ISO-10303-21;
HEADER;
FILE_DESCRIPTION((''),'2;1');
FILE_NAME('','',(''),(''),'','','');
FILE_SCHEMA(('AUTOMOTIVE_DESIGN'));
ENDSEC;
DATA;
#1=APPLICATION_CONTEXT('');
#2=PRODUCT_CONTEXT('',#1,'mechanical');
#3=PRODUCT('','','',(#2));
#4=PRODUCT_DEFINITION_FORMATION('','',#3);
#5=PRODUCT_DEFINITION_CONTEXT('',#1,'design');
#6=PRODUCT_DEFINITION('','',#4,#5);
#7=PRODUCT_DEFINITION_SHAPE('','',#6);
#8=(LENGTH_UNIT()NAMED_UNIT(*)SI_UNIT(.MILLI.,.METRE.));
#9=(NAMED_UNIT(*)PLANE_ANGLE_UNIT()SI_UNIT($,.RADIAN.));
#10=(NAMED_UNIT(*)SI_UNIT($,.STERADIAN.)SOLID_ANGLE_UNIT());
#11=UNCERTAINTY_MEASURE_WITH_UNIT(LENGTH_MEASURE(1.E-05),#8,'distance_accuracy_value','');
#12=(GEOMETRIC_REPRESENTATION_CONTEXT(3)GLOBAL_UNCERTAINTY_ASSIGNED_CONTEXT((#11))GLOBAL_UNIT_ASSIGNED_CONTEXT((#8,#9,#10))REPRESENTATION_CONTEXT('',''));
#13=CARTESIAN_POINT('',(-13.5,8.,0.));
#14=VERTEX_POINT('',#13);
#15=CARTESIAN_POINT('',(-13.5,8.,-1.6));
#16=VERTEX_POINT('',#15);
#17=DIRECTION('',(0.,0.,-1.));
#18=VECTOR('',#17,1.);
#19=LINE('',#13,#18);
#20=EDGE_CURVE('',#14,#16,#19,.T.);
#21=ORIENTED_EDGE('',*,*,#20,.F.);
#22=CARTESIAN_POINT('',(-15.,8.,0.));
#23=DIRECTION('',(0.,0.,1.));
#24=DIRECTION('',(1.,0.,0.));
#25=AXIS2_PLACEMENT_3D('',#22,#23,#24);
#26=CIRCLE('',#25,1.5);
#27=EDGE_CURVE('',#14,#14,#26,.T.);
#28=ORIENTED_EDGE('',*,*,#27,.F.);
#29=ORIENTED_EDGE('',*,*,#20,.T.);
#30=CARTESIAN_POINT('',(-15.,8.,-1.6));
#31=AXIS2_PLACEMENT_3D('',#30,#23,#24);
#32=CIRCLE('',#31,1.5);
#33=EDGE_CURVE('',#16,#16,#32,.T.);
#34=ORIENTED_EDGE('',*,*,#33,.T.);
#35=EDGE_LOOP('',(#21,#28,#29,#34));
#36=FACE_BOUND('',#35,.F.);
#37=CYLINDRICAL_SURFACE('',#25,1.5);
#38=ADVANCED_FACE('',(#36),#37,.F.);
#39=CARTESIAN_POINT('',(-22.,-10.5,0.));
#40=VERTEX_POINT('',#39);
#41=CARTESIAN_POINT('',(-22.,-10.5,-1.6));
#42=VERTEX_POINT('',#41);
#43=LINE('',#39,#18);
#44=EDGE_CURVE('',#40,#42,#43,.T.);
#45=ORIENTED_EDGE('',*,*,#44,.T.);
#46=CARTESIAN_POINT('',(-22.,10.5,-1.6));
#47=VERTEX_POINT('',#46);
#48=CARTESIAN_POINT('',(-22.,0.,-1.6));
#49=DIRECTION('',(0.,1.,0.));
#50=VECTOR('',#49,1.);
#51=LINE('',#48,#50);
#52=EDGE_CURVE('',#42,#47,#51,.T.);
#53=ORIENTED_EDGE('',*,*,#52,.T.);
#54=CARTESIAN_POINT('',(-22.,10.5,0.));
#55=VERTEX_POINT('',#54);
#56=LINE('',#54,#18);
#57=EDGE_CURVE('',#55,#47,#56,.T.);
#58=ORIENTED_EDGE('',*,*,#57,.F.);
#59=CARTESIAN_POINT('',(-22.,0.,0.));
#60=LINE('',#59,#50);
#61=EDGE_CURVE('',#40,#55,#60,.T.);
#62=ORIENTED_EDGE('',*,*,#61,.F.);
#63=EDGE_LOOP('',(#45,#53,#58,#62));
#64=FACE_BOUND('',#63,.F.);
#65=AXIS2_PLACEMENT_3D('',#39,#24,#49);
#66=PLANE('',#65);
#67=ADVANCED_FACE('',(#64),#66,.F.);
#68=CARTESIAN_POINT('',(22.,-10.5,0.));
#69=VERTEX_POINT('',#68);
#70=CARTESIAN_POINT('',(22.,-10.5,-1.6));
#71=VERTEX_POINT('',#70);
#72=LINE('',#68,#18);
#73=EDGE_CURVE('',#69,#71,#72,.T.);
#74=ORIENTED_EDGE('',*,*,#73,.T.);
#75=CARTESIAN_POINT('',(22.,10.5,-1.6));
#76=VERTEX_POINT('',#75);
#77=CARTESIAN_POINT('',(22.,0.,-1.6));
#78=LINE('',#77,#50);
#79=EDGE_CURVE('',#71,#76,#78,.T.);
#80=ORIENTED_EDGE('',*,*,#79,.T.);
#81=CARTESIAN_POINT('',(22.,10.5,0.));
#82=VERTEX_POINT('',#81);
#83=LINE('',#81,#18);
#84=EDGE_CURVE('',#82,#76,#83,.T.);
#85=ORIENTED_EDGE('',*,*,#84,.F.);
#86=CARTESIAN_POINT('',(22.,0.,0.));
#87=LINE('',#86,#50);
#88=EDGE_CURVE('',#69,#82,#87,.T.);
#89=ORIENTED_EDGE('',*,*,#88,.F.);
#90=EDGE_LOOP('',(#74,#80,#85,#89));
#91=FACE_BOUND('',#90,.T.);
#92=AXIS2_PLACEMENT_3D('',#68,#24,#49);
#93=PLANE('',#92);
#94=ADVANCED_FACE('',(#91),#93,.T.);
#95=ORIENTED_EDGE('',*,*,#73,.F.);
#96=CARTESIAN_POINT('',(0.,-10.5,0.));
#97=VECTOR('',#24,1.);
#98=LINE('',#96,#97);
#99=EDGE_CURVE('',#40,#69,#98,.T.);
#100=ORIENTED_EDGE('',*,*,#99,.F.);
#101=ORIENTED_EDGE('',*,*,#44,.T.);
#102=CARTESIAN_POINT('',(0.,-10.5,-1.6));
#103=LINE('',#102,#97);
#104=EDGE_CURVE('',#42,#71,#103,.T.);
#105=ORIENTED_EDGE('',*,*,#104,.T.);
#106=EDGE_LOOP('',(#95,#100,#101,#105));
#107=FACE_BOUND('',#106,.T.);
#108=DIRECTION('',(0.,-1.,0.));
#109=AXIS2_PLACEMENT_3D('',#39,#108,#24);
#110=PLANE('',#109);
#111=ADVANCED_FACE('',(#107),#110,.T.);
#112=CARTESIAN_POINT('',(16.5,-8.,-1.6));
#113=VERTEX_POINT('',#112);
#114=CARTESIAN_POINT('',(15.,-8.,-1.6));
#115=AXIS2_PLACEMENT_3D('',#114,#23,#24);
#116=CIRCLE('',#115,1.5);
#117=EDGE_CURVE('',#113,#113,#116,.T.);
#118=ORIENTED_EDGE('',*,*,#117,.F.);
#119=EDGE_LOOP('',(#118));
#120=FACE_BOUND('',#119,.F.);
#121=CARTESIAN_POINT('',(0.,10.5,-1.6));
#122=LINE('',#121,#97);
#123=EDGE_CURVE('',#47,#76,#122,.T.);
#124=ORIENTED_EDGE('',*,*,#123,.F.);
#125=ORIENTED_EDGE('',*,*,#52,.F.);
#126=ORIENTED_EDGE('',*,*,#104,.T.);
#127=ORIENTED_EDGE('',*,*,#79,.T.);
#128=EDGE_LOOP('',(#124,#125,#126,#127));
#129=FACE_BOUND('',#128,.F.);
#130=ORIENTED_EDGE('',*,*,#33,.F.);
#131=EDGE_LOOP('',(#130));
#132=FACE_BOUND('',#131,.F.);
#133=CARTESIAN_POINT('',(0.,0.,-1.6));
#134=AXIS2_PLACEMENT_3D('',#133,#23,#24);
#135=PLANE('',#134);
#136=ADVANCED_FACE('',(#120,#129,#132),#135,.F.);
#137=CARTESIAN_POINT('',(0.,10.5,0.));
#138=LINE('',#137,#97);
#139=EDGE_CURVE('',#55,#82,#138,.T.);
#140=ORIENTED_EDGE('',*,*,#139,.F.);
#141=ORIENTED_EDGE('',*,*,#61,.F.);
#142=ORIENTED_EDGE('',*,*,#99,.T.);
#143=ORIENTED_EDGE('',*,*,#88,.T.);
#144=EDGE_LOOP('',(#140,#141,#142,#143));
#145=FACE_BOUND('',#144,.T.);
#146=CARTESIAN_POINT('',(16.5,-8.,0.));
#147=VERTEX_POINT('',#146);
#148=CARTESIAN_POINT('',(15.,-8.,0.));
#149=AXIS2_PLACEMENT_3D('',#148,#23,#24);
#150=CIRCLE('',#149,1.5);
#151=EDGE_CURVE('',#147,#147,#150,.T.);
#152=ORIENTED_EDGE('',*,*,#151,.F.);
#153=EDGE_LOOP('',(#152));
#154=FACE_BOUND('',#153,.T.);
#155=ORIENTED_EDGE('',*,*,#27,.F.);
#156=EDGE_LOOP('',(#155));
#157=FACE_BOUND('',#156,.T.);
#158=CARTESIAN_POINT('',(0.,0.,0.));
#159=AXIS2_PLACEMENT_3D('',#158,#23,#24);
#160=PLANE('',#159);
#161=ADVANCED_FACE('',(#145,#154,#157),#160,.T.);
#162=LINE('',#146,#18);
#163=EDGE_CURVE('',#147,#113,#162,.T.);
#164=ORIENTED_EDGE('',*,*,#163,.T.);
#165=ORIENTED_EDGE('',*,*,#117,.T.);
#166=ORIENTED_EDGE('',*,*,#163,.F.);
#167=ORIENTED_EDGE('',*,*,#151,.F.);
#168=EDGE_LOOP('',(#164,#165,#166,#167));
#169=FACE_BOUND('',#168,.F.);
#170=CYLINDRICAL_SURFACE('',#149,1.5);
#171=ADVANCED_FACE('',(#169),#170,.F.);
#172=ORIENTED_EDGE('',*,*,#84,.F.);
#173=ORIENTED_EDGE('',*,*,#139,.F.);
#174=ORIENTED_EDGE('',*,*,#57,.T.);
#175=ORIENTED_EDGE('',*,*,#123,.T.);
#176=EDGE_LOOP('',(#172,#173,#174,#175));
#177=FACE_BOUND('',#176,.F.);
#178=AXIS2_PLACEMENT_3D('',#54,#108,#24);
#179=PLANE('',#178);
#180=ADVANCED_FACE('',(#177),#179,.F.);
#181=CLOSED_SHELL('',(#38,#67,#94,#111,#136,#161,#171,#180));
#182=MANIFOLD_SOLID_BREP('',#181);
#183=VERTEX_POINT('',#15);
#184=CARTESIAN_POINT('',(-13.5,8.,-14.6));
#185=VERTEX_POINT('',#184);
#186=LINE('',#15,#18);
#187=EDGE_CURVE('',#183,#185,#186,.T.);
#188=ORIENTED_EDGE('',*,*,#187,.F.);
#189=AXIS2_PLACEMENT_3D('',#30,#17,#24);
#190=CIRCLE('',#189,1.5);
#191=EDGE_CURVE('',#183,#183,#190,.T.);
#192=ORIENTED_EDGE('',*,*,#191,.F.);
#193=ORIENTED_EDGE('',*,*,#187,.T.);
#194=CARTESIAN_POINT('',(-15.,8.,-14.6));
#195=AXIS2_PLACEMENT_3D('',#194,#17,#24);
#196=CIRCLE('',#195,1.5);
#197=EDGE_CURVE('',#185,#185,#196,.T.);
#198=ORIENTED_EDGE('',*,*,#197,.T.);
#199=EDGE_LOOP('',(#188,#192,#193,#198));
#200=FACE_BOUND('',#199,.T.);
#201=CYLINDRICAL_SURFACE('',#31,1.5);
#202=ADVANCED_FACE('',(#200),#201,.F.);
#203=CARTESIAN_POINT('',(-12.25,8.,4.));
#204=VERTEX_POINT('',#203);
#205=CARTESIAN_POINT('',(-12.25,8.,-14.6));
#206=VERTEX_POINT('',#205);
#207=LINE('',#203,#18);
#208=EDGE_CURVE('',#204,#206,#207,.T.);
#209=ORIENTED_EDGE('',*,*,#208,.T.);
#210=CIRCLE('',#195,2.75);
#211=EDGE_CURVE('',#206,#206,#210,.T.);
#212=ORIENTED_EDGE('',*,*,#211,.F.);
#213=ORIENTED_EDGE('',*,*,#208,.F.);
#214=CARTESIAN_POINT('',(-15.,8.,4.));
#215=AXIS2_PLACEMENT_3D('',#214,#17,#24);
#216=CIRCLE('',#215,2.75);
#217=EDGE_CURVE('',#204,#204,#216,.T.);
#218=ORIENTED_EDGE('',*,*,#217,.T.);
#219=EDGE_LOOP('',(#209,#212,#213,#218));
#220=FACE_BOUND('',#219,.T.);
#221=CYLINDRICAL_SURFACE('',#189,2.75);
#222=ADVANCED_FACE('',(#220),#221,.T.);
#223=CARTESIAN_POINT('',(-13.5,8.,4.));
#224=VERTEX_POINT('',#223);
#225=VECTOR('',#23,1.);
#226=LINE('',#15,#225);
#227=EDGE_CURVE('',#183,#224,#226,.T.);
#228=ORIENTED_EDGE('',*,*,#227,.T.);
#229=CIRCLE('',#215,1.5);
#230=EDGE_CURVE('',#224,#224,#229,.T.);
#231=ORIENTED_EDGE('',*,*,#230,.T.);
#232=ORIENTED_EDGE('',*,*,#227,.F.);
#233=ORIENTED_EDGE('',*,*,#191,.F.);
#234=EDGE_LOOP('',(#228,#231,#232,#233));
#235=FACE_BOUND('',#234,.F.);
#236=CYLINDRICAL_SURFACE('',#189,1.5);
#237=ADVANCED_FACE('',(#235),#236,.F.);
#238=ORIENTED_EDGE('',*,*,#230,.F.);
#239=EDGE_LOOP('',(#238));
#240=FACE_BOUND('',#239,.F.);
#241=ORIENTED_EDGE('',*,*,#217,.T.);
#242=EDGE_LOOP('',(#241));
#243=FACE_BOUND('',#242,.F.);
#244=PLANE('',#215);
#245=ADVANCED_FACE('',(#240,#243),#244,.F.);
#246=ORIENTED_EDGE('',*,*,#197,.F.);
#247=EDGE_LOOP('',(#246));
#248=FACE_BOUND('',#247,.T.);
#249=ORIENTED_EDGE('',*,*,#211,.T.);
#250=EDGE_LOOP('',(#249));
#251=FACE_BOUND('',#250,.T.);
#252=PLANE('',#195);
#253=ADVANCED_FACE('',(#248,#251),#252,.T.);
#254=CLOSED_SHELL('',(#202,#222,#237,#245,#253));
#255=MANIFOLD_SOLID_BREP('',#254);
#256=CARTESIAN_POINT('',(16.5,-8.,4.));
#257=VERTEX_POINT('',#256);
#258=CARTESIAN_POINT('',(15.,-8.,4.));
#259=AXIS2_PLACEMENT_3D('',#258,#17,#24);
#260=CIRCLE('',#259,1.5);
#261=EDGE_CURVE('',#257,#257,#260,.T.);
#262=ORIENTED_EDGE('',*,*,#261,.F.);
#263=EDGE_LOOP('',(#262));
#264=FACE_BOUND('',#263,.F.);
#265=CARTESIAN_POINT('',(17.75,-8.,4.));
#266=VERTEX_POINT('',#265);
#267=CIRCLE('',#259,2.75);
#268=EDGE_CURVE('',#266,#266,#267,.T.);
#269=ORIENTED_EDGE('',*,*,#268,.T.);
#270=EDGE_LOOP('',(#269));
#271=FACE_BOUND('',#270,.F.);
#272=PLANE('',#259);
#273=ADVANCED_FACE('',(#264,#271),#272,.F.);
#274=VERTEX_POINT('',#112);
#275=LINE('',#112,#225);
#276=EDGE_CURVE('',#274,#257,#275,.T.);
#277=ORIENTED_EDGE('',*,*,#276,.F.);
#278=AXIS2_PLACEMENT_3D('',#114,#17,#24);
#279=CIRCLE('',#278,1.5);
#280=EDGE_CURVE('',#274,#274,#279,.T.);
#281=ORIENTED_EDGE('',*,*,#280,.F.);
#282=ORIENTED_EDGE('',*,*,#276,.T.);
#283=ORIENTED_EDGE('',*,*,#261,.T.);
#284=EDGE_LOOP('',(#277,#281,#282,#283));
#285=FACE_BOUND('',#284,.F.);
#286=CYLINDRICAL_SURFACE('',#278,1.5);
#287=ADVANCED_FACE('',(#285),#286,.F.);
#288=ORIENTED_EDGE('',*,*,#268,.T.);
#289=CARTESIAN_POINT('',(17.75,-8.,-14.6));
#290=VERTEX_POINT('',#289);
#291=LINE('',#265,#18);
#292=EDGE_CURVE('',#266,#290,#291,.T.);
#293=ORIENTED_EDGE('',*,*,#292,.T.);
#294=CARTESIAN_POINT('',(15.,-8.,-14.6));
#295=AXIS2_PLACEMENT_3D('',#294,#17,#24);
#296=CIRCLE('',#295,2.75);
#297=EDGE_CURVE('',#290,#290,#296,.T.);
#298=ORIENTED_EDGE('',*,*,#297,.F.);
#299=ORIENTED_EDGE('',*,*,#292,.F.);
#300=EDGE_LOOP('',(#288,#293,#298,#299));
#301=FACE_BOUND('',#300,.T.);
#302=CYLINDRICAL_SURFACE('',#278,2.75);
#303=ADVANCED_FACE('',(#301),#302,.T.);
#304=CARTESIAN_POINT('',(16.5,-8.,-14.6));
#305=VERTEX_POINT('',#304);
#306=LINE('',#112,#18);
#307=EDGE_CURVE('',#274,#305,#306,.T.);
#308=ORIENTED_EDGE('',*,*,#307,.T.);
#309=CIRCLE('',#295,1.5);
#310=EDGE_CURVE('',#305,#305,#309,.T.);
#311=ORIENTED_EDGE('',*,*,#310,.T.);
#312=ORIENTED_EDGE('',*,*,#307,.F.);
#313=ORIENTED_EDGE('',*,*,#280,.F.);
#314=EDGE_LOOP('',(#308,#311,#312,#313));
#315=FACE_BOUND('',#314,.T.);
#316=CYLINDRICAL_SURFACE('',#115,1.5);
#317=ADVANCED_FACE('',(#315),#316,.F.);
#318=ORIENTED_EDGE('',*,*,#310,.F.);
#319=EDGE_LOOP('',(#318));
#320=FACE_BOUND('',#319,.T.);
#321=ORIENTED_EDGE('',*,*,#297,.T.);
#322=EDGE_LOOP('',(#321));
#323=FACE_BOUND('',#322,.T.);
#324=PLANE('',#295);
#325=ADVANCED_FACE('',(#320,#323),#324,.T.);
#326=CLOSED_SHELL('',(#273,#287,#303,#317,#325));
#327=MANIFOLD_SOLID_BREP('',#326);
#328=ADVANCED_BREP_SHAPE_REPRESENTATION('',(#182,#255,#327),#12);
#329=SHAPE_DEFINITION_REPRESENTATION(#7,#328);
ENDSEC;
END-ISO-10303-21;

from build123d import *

# Parameters (mm, degrees)
F0_W          = 44
F0_H          = 21
F0_R          = 1.5
F1_DEPTH      = 1.6
F2_R          = 2.75
F2_R_2        = 1.5
F3_DEPTH      = 13
F3_DEPTH_BACK = 5.6


with BuildPart() as f1:
    # F0 (on Top) → F1 (new body)
    with BuildSketch(Plane.XY):
        Rectangle(F0_W, F0_H)
        with Locations((15, -8)):
            Circle(F0_R, mode=Mode.SUBTRACT)
        with Locations((-15, 8)):
            Circle(F0_R, mode=Mode.SUBTRACT)
    extrude(amount=-F1_DEPTH)


with BuildPart() as f3:
    # F2 (on face) → F3 (new body, two sides)
    with BuildSketch(Plane(origin=(0, 0, -1.6), x_dir=(1, 0, 0), z_dir=(0, 0, -1))) as f3_sk:
        with Locations((-15, -8)):
            Circle(F2_R)
        with Locations((-15, -8)):
            Circle(F2_R_2, mode=Mode.SUBTRACT)
        with Locations((15, 8)):
            Circle(F2_R)
        with Locations((15, 8)):
            Circle(F2_R_2, mode=Mode.SUBTRACT)
    extrude(amount=F3_DEPTH)
    extrude(f3_sk.sketch, amount=-F3_DEPTH_BACK)


solid = Compound([f1.part, f3.part])
